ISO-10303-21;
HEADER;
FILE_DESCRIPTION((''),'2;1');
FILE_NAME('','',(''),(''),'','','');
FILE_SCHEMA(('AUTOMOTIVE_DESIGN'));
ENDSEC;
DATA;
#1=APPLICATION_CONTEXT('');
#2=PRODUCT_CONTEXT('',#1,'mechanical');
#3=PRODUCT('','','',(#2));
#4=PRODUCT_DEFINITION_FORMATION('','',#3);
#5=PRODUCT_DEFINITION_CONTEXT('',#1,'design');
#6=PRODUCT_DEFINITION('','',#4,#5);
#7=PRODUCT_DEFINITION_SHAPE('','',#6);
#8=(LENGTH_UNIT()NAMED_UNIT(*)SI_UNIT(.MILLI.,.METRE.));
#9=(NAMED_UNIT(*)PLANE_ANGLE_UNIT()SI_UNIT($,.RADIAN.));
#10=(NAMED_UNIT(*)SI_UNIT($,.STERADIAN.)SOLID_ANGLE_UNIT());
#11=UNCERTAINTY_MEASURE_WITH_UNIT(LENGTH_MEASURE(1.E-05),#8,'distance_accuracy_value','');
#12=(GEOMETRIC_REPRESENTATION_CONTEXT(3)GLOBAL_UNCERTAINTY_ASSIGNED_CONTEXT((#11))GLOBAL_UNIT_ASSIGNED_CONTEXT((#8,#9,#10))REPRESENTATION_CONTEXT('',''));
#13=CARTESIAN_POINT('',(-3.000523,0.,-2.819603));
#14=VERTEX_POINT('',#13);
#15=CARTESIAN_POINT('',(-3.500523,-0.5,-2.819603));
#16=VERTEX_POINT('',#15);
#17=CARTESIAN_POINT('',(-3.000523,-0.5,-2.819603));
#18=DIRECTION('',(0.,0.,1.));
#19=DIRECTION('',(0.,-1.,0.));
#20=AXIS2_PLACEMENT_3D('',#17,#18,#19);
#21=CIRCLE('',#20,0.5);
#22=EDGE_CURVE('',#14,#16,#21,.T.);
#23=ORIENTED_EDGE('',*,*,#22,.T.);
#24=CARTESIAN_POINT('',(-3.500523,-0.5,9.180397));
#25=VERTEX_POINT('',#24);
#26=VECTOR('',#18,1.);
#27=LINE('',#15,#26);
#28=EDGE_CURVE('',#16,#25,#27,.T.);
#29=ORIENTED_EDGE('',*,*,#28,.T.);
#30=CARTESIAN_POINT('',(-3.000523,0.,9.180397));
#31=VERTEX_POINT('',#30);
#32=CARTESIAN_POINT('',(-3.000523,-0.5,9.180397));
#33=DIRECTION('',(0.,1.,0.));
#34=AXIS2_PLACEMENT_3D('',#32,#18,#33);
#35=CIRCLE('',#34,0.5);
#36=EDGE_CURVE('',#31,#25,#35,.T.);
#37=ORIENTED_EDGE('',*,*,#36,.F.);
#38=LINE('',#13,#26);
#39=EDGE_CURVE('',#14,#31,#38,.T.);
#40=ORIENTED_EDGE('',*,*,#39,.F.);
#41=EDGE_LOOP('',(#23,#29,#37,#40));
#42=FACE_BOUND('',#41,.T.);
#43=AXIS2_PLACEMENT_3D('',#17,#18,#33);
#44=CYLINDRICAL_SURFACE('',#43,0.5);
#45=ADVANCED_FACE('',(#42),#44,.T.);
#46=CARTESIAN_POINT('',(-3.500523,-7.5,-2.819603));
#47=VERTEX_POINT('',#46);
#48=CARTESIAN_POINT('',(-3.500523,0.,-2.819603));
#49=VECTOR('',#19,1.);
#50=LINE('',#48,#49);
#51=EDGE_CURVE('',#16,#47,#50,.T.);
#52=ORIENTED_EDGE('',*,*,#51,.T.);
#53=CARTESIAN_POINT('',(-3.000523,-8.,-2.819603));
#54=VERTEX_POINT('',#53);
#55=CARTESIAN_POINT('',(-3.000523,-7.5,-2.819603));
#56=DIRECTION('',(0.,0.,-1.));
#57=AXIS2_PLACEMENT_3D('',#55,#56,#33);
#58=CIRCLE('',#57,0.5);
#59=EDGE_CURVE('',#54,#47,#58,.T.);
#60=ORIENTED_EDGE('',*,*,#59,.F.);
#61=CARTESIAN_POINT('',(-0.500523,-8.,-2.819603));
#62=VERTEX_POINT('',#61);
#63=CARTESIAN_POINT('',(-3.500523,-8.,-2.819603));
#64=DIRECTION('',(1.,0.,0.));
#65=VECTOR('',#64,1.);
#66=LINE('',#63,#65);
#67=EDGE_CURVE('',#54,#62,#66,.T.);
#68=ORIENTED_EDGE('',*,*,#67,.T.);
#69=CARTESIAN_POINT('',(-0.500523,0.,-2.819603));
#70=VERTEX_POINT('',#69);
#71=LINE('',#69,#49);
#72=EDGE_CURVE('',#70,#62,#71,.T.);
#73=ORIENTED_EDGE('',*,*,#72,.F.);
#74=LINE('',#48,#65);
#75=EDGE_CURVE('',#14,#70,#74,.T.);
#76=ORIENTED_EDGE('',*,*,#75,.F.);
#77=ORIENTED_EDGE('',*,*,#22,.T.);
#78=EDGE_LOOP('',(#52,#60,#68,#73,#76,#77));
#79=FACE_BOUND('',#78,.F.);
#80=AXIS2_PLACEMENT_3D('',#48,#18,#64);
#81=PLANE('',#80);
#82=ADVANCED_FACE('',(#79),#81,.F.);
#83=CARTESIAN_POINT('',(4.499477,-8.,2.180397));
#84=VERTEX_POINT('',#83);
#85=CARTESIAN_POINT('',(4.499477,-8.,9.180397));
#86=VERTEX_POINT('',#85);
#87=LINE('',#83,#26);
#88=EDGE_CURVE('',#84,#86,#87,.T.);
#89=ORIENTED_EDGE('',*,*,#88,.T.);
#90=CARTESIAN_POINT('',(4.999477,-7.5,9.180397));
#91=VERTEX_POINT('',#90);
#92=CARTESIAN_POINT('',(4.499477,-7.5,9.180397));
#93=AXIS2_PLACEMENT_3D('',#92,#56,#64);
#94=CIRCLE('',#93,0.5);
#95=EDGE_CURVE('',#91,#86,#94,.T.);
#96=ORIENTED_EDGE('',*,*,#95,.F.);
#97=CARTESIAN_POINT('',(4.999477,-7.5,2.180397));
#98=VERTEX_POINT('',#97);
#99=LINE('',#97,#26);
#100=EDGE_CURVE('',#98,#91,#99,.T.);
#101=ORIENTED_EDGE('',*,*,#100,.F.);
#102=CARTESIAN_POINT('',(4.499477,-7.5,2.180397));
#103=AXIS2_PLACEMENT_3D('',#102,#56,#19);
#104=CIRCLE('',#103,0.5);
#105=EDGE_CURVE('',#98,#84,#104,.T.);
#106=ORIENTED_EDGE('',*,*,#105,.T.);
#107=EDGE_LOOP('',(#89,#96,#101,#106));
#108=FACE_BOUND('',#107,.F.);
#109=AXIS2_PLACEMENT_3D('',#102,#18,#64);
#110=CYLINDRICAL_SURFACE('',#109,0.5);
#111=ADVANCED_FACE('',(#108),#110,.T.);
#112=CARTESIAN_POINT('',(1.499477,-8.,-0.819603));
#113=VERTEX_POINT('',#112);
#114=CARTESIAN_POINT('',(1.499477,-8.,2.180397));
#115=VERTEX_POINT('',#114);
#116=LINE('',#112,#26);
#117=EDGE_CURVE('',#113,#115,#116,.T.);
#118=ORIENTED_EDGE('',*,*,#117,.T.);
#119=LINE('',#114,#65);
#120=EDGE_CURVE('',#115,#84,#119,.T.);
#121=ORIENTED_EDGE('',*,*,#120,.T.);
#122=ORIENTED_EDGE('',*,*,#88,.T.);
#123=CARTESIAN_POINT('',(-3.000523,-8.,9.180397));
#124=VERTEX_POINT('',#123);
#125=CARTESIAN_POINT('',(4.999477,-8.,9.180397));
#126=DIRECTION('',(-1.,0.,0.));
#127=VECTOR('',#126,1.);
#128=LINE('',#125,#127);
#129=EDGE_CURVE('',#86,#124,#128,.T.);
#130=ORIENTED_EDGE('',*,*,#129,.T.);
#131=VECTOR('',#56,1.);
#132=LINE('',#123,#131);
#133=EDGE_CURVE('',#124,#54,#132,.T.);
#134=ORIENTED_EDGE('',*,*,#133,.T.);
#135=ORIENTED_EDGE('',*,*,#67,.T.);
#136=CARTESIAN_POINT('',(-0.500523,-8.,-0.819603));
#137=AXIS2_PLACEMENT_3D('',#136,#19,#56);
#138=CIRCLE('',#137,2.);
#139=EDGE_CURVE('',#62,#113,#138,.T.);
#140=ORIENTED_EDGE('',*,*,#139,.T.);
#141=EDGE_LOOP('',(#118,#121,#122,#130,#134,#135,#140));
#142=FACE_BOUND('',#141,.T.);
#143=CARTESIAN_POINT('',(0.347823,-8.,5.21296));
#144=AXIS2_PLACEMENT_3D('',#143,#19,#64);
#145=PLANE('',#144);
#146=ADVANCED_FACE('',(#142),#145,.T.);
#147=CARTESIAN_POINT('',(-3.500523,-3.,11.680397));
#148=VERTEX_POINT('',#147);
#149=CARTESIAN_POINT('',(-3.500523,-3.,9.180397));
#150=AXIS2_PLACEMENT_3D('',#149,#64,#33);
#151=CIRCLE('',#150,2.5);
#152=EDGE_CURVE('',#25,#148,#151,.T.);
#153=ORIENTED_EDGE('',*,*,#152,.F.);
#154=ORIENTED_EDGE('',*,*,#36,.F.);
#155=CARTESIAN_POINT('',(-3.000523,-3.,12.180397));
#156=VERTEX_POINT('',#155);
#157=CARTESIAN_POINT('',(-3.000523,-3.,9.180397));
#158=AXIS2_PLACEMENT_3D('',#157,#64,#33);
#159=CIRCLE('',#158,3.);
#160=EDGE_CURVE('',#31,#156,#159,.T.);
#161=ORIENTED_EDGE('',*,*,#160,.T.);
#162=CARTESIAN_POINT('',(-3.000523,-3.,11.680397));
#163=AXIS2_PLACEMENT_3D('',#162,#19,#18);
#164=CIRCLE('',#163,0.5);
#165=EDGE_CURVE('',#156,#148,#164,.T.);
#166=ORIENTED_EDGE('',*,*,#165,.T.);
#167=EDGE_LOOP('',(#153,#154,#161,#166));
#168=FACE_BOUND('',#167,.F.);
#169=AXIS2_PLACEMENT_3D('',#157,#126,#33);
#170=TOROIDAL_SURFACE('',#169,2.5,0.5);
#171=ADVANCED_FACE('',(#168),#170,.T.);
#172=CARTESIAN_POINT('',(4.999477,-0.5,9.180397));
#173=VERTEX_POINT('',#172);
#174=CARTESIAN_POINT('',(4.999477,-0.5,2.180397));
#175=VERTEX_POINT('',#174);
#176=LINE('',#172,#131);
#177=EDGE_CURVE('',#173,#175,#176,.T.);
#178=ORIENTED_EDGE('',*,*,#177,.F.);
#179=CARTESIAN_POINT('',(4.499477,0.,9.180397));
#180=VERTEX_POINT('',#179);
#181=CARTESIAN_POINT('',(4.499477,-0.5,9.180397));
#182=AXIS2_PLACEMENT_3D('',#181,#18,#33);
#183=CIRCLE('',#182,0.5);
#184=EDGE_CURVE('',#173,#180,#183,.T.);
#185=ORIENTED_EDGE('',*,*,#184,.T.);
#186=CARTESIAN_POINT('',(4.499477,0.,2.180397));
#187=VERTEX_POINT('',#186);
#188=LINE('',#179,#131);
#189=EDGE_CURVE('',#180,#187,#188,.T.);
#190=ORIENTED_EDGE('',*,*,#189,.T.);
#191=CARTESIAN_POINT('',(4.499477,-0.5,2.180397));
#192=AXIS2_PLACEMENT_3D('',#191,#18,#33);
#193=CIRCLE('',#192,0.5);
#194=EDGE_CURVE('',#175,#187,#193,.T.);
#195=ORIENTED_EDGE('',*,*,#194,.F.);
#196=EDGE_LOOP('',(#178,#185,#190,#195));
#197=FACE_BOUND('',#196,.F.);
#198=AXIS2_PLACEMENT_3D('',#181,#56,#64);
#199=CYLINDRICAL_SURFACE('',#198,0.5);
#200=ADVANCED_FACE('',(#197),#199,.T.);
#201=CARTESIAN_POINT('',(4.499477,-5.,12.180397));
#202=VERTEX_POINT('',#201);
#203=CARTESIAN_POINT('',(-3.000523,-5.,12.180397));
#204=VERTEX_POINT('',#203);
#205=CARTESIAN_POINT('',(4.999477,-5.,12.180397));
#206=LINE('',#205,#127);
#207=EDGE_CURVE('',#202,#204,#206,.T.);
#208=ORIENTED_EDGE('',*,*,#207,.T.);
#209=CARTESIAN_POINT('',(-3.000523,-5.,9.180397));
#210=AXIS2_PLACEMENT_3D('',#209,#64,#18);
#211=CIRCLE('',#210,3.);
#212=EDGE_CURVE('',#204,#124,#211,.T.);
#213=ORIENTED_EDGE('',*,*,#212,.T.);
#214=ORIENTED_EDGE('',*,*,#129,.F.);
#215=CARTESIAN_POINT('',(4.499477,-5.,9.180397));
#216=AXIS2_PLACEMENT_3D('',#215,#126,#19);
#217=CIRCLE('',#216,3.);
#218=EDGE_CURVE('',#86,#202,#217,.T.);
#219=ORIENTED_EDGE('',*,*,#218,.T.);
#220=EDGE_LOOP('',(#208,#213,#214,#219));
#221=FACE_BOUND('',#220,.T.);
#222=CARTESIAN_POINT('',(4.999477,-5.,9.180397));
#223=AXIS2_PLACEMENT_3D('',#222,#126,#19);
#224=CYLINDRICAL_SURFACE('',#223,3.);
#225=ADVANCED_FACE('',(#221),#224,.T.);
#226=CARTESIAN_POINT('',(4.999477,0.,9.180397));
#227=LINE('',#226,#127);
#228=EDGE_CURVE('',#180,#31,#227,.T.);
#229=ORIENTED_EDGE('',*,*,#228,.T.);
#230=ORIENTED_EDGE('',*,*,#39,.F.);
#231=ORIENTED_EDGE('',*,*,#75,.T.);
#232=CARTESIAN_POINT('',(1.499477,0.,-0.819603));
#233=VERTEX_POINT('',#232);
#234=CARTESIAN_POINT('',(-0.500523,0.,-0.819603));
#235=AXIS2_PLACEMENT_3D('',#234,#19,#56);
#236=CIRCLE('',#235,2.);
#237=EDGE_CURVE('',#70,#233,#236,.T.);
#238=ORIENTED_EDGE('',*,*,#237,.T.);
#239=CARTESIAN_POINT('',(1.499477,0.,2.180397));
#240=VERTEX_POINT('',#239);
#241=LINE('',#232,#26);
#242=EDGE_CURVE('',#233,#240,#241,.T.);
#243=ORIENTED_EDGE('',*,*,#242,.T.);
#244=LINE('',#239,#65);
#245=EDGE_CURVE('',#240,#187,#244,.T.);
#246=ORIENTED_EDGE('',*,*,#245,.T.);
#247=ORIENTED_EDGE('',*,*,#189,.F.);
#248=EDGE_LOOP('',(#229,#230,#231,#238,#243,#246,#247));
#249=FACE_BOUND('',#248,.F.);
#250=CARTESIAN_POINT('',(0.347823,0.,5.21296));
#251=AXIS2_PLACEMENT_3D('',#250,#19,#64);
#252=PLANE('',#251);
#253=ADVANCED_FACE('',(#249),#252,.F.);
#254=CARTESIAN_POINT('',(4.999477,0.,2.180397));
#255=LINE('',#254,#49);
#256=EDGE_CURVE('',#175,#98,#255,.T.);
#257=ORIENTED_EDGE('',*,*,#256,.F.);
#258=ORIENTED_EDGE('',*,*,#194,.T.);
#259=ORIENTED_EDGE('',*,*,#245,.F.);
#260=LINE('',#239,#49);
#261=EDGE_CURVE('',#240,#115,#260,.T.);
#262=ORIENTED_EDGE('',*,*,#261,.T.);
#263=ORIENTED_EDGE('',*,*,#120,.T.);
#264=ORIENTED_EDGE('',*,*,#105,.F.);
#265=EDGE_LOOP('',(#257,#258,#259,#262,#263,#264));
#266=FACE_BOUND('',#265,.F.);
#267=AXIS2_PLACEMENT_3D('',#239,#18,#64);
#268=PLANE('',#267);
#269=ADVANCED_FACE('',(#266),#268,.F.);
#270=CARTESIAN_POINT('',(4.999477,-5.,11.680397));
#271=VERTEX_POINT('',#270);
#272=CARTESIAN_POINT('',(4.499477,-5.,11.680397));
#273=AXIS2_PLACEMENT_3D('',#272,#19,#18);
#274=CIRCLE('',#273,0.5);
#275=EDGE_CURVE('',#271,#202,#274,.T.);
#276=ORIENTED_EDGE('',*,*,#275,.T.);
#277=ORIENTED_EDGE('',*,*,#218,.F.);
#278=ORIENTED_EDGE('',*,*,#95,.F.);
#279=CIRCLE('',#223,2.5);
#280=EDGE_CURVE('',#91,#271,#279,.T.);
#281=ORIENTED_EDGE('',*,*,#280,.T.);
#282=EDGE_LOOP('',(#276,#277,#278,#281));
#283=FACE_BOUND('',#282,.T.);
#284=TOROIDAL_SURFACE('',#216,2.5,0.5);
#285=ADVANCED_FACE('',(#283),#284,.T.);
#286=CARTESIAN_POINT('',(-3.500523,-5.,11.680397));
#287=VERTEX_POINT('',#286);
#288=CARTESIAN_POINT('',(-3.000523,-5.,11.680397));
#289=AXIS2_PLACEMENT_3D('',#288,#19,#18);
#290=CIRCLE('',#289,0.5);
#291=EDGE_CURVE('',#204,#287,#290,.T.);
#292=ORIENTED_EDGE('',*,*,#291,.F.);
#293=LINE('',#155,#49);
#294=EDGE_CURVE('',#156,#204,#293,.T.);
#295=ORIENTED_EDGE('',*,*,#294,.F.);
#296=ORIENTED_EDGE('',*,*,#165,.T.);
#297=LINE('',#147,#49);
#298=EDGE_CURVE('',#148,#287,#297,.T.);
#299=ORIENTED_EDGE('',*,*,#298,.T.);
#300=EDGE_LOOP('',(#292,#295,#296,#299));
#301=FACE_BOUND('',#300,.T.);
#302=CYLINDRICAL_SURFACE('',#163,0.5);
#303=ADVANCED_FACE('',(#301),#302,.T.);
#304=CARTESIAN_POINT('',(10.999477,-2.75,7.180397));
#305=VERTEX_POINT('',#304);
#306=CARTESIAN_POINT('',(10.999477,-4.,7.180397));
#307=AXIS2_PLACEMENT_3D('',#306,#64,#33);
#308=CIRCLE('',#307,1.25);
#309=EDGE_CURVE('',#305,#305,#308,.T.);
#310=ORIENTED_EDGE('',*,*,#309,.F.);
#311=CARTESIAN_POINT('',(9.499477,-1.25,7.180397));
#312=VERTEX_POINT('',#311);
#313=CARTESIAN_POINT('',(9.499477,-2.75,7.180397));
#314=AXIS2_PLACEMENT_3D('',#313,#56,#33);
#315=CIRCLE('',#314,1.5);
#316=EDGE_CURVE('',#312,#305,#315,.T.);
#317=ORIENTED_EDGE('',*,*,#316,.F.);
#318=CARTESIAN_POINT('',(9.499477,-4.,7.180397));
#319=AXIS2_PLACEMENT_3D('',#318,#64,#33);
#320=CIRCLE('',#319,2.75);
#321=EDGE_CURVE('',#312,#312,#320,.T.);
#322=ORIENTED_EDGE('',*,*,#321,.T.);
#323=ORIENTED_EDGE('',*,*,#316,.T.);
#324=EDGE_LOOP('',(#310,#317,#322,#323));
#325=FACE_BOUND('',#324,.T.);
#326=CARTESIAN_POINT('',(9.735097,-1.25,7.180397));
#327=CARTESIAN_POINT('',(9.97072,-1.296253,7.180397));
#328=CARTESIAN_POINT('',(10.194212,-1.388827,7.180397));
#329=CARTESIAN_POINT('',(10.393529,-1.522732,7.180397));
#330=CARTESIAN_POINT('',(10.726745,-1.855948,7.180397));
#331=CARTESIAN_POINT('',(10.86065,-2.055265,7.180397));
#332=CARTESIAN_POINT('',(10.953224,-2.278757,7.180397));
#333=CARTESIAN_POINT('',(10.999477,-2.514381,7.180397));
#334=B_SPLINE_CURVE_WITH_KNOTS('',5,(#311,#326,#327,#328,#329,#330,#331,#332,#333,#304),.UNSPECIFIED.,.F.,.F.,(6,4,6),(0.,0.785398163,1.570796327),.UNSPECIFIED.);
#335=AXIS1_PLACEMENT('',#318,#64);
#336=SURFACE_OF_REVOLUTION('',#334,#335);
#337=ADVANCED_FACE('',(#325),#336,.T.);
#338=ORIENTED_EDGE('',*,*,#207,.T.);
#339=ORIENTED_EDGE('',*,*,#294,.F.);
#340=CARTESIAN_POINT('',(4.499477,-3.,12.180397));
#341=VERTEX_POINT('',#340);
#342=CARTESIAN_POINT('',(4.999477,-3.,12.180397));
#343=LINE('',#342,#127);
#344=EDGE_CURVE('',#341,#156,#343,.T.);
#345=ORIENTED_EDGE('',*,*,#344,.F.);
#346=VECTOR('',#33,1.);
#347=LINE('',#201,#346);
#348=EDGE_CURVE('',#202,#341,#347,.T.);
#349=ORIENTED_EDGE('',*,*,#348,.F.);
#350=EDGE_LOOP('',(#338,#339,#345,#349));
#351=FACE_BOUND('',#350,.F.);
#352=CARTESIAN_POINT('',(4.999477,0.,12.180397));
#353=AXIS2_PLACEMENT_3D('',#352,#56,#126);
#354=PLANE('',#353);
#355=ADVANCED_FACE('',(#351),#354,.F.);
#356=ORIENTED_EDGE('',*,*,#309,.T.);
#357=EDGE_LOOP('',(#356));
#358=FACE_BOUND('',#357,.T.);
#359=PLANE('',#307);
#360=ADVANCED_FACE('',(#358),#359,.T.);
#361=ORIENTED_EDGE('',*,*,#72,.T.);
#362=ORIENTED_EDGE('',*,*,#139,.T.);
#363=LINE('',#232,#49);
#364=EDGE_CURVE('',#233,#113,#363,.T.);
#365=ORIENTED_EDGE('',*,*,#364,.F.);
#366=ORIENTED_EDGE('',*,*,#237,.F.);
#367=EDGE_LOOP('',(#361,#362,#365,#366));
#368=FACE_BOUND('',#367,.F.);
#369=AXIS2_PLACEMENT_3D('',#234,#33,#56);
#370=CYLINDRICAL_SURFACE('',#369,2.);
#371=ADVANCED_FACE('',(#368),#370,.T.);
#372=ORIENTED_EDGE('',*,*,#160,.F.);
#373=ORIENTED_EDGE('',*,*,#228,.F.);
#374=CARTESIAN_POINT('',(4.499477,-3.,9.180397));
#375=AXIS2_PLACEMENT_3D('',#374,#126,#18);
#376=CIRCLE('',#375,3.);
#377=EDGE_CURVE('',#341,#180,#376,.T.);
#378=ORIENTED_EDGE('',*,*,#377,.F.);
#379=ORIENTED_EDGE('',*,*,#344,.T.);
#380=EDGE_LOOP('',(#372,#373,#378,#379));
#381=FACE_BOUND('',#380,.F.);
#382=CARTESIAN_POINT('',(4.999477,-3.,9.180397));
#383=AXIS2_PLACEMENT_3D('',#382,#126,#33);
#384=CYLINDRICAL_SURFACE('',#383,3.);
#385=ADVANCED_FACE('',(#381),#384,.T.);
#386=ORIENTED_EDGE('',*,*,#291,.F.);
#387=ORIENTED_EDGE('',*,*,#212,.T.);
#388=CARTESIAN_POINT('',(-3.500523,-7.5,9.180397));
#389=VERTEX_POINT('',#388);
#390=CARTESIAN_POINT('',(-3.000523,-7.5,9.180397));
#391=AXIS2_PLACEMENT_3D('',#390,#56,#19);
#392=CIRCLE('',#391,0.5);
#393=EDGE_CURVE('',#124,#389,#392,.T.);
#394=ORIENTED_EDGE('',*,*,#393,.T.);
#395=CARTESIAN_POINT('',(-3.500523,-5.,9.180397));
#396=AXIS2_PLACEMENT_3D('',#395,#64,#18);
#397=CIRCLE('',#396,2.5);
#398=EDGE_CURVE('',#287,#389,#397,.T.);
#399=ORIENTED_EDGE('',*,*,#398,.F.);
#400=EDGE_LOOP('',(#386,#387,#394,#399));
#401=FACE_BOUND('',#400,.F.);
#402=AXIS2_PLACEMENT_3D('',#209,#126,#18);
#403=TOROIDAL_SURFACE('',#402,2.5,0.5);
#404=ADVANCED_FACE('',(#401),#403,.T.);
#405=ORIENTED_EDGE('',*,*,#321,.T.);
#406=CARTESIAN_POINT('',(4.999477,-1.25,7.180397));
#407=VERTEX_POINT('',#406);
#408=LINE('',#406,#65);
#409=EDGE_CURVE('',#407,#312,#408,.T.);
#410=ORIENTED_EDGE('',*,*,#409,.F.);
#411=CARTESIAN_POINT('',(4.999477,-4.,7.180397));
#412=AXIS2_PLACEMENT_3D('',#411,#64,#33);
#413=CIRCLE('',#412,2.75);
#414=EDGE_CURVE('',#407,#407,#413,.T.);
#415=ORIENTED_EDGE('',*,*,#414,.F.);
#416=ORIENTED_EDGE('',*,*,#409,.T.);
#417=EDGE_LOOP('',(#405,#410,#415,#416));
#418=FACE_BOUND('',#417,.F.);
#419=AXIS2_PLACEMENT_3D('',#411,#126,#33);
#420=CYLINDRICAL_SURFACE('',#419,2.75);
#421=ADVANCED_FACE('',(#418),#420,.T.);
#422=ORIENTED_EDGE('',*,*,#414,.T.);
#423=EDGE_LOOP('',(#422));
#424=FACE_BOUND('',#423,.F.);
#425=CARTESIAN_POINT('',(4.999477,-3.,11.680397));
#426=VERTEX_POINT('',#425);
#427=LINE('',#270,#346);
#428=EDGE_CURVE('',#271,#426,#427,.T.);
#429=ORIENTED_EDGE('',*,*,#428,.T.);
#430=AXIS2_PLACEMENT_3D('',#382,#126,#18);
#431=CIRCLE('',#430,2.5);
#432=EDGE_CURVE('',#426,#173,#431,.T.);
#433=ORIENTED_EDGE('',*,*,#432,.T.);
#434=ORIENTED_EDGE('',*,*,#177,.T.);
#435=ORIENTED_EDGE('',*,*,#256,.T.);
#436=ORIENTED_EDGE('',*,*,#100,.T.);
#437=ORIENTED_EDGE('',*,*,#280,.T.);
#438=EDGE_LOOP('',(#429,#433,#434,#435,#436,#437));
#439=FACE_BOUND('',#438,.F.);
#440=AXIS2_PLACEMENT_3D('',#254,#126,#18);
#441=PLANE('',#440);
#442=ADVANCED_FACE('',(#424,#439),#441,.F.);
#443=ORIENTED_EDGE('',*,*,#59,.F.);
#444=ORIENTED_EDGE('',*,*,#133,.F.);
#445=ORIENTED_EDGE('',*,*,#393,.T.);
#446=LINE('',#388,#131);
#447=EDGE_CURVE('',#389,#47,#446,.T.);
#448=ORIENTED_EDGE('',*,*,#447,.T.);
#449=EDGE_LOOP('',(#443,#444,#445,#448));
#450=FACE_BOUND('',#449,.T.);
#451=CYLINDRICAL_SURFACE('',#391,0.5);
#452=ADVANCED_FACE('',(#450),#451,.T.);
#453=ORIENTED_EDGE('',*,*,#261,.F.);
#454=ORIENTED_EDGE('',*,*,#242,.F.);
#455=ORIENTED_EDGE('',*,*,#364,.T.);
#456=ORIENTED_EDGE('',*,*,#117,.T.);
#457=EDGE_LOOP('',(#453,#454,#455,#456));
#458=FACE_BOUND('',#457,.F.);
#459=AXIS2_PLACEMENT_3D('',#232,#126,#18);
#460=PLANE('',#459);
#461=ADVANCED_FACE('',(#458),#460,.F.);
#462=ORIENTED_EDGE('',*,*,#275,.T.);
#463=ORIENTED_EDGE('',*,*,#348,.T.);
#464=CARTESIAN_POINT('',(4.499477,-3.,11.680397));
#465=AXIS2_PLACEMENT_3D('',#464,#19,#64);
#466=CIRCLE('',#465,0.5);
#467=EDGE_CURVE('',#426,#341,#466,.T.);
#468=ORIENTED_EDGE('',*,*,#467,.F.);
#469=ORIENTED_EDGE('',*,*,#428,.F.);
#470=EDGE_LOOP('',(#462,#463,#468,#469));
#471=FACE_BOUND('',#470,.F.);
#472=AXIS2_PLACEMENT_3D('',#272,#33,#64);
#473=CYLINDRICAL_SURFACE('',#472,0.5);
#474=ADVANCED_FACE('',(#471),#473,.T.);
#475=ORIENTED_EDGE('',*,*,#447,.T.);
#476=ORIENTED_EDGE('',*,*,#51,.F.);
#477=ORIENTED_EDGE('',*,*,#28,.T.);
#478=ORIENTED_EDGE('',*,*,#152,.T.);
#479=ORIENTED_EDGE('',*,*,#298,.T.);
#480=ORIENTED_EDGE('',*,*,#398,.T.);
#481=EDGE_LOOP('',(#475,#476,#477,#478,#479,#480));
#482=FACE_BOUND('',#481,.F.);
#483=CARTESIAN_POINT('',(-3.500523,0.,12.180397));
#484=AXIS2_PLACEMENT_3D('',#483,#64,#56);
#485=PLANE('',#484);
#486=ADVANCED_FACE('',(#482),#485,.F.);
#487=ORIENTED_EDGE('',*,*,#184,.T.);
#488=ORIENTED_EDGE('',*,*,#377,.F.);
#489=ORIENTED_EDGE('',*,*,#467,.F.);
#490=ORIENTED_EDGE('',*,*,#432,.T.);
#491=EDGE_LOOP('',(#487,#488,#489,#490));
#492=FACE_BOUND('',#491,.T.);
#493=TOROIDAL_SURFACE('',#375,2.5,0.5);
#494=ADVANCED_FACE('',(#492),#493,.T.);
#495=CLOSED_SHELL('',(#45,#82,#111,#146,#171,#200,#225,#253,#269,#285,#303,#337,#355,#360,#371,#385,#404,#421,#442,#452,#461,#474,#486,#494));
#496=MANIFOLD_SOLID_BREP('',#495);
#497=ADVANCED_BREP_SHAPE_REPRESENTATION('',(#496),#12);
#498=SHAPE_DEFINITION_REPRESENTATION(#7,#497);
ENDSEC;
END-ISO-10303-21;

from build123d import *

# Parameters (mm, degrees)
F1_DEPTH = 8
F2_R     = 2.75
F3_DEPTH = 6
F4_R     = 1.5
F5_R     = 3
F6_R     = 0.5


with BuildPart() as f1:
    # F0 (on Front) → F1 (new body)
    with BuildSketch(Plane.XZ):
        with BuildLine():
            Line((4.9994771853, 12.180397345), (-3.5005228147, 12.180397345))
            Line((-3.5005228147, 12.180397345), (-3.5005228147, -2.819602655))
            Line((-3.5005228147, -2.819602655), (-0.5005228147, -2.819602655))
            ThreePointArc((-0.5005228147, -2.819602655), (0.9136907477, -2.2338162174), (1.4994771853, -0.819602655))
            Line((1.4994771853, -0.819602655), (1.4994771853, 2.180397345))
            Line((1.4994771853, 2.180397345), (4.9994771853, 2.180397345))
            Line((4.9994771853, 2.180397345), (4.9994771853, 12.180397345))
        make_face()
    extrude(amount=F1_DEPTH)

    # F2 (on face) → F3 (join)
    with BuildSketch(Plane.YZ.offset(4.9994771853)):
        with Locations((-4, 7.180397345)):
            Circle(F2_R)
    extrude(amount=F3_DEPTH)

    # F4
    f4_edges = [f1.edges().sort_by_distance(p)[0] for p in [
        (10.999477, -6.75, 7.180397),
    ]]
    fillet(f4_edges, radius=F4_R)

    # F5
    f5_edges = [f1.edges().sort_by_distance(p)[0] for p in [
        (0.749477, 0, 12.180397),
        (0.749477, -8, 12.180397),
    ]]
    fillet(f5_edges, radius=F5_R)

    # F6
    f6_edges = [f1.edges().sort_by_distance(p)[0] for p in [
        (4.999477, -8, 5.680397),
        (4.999477, -7.12132, 11.301718),
        (4.999477, -4, 12.180397),
        (4.999477, -0.87868, 11.301718),
        (4.999477, 0, 5.680397),
        (-3.500523, -8, 3.180397),
        (-3.500523, -7.12132, 11.301718),
    ]]
    fillet(f6_edges, radius=F6_R)


solid = f1.part
